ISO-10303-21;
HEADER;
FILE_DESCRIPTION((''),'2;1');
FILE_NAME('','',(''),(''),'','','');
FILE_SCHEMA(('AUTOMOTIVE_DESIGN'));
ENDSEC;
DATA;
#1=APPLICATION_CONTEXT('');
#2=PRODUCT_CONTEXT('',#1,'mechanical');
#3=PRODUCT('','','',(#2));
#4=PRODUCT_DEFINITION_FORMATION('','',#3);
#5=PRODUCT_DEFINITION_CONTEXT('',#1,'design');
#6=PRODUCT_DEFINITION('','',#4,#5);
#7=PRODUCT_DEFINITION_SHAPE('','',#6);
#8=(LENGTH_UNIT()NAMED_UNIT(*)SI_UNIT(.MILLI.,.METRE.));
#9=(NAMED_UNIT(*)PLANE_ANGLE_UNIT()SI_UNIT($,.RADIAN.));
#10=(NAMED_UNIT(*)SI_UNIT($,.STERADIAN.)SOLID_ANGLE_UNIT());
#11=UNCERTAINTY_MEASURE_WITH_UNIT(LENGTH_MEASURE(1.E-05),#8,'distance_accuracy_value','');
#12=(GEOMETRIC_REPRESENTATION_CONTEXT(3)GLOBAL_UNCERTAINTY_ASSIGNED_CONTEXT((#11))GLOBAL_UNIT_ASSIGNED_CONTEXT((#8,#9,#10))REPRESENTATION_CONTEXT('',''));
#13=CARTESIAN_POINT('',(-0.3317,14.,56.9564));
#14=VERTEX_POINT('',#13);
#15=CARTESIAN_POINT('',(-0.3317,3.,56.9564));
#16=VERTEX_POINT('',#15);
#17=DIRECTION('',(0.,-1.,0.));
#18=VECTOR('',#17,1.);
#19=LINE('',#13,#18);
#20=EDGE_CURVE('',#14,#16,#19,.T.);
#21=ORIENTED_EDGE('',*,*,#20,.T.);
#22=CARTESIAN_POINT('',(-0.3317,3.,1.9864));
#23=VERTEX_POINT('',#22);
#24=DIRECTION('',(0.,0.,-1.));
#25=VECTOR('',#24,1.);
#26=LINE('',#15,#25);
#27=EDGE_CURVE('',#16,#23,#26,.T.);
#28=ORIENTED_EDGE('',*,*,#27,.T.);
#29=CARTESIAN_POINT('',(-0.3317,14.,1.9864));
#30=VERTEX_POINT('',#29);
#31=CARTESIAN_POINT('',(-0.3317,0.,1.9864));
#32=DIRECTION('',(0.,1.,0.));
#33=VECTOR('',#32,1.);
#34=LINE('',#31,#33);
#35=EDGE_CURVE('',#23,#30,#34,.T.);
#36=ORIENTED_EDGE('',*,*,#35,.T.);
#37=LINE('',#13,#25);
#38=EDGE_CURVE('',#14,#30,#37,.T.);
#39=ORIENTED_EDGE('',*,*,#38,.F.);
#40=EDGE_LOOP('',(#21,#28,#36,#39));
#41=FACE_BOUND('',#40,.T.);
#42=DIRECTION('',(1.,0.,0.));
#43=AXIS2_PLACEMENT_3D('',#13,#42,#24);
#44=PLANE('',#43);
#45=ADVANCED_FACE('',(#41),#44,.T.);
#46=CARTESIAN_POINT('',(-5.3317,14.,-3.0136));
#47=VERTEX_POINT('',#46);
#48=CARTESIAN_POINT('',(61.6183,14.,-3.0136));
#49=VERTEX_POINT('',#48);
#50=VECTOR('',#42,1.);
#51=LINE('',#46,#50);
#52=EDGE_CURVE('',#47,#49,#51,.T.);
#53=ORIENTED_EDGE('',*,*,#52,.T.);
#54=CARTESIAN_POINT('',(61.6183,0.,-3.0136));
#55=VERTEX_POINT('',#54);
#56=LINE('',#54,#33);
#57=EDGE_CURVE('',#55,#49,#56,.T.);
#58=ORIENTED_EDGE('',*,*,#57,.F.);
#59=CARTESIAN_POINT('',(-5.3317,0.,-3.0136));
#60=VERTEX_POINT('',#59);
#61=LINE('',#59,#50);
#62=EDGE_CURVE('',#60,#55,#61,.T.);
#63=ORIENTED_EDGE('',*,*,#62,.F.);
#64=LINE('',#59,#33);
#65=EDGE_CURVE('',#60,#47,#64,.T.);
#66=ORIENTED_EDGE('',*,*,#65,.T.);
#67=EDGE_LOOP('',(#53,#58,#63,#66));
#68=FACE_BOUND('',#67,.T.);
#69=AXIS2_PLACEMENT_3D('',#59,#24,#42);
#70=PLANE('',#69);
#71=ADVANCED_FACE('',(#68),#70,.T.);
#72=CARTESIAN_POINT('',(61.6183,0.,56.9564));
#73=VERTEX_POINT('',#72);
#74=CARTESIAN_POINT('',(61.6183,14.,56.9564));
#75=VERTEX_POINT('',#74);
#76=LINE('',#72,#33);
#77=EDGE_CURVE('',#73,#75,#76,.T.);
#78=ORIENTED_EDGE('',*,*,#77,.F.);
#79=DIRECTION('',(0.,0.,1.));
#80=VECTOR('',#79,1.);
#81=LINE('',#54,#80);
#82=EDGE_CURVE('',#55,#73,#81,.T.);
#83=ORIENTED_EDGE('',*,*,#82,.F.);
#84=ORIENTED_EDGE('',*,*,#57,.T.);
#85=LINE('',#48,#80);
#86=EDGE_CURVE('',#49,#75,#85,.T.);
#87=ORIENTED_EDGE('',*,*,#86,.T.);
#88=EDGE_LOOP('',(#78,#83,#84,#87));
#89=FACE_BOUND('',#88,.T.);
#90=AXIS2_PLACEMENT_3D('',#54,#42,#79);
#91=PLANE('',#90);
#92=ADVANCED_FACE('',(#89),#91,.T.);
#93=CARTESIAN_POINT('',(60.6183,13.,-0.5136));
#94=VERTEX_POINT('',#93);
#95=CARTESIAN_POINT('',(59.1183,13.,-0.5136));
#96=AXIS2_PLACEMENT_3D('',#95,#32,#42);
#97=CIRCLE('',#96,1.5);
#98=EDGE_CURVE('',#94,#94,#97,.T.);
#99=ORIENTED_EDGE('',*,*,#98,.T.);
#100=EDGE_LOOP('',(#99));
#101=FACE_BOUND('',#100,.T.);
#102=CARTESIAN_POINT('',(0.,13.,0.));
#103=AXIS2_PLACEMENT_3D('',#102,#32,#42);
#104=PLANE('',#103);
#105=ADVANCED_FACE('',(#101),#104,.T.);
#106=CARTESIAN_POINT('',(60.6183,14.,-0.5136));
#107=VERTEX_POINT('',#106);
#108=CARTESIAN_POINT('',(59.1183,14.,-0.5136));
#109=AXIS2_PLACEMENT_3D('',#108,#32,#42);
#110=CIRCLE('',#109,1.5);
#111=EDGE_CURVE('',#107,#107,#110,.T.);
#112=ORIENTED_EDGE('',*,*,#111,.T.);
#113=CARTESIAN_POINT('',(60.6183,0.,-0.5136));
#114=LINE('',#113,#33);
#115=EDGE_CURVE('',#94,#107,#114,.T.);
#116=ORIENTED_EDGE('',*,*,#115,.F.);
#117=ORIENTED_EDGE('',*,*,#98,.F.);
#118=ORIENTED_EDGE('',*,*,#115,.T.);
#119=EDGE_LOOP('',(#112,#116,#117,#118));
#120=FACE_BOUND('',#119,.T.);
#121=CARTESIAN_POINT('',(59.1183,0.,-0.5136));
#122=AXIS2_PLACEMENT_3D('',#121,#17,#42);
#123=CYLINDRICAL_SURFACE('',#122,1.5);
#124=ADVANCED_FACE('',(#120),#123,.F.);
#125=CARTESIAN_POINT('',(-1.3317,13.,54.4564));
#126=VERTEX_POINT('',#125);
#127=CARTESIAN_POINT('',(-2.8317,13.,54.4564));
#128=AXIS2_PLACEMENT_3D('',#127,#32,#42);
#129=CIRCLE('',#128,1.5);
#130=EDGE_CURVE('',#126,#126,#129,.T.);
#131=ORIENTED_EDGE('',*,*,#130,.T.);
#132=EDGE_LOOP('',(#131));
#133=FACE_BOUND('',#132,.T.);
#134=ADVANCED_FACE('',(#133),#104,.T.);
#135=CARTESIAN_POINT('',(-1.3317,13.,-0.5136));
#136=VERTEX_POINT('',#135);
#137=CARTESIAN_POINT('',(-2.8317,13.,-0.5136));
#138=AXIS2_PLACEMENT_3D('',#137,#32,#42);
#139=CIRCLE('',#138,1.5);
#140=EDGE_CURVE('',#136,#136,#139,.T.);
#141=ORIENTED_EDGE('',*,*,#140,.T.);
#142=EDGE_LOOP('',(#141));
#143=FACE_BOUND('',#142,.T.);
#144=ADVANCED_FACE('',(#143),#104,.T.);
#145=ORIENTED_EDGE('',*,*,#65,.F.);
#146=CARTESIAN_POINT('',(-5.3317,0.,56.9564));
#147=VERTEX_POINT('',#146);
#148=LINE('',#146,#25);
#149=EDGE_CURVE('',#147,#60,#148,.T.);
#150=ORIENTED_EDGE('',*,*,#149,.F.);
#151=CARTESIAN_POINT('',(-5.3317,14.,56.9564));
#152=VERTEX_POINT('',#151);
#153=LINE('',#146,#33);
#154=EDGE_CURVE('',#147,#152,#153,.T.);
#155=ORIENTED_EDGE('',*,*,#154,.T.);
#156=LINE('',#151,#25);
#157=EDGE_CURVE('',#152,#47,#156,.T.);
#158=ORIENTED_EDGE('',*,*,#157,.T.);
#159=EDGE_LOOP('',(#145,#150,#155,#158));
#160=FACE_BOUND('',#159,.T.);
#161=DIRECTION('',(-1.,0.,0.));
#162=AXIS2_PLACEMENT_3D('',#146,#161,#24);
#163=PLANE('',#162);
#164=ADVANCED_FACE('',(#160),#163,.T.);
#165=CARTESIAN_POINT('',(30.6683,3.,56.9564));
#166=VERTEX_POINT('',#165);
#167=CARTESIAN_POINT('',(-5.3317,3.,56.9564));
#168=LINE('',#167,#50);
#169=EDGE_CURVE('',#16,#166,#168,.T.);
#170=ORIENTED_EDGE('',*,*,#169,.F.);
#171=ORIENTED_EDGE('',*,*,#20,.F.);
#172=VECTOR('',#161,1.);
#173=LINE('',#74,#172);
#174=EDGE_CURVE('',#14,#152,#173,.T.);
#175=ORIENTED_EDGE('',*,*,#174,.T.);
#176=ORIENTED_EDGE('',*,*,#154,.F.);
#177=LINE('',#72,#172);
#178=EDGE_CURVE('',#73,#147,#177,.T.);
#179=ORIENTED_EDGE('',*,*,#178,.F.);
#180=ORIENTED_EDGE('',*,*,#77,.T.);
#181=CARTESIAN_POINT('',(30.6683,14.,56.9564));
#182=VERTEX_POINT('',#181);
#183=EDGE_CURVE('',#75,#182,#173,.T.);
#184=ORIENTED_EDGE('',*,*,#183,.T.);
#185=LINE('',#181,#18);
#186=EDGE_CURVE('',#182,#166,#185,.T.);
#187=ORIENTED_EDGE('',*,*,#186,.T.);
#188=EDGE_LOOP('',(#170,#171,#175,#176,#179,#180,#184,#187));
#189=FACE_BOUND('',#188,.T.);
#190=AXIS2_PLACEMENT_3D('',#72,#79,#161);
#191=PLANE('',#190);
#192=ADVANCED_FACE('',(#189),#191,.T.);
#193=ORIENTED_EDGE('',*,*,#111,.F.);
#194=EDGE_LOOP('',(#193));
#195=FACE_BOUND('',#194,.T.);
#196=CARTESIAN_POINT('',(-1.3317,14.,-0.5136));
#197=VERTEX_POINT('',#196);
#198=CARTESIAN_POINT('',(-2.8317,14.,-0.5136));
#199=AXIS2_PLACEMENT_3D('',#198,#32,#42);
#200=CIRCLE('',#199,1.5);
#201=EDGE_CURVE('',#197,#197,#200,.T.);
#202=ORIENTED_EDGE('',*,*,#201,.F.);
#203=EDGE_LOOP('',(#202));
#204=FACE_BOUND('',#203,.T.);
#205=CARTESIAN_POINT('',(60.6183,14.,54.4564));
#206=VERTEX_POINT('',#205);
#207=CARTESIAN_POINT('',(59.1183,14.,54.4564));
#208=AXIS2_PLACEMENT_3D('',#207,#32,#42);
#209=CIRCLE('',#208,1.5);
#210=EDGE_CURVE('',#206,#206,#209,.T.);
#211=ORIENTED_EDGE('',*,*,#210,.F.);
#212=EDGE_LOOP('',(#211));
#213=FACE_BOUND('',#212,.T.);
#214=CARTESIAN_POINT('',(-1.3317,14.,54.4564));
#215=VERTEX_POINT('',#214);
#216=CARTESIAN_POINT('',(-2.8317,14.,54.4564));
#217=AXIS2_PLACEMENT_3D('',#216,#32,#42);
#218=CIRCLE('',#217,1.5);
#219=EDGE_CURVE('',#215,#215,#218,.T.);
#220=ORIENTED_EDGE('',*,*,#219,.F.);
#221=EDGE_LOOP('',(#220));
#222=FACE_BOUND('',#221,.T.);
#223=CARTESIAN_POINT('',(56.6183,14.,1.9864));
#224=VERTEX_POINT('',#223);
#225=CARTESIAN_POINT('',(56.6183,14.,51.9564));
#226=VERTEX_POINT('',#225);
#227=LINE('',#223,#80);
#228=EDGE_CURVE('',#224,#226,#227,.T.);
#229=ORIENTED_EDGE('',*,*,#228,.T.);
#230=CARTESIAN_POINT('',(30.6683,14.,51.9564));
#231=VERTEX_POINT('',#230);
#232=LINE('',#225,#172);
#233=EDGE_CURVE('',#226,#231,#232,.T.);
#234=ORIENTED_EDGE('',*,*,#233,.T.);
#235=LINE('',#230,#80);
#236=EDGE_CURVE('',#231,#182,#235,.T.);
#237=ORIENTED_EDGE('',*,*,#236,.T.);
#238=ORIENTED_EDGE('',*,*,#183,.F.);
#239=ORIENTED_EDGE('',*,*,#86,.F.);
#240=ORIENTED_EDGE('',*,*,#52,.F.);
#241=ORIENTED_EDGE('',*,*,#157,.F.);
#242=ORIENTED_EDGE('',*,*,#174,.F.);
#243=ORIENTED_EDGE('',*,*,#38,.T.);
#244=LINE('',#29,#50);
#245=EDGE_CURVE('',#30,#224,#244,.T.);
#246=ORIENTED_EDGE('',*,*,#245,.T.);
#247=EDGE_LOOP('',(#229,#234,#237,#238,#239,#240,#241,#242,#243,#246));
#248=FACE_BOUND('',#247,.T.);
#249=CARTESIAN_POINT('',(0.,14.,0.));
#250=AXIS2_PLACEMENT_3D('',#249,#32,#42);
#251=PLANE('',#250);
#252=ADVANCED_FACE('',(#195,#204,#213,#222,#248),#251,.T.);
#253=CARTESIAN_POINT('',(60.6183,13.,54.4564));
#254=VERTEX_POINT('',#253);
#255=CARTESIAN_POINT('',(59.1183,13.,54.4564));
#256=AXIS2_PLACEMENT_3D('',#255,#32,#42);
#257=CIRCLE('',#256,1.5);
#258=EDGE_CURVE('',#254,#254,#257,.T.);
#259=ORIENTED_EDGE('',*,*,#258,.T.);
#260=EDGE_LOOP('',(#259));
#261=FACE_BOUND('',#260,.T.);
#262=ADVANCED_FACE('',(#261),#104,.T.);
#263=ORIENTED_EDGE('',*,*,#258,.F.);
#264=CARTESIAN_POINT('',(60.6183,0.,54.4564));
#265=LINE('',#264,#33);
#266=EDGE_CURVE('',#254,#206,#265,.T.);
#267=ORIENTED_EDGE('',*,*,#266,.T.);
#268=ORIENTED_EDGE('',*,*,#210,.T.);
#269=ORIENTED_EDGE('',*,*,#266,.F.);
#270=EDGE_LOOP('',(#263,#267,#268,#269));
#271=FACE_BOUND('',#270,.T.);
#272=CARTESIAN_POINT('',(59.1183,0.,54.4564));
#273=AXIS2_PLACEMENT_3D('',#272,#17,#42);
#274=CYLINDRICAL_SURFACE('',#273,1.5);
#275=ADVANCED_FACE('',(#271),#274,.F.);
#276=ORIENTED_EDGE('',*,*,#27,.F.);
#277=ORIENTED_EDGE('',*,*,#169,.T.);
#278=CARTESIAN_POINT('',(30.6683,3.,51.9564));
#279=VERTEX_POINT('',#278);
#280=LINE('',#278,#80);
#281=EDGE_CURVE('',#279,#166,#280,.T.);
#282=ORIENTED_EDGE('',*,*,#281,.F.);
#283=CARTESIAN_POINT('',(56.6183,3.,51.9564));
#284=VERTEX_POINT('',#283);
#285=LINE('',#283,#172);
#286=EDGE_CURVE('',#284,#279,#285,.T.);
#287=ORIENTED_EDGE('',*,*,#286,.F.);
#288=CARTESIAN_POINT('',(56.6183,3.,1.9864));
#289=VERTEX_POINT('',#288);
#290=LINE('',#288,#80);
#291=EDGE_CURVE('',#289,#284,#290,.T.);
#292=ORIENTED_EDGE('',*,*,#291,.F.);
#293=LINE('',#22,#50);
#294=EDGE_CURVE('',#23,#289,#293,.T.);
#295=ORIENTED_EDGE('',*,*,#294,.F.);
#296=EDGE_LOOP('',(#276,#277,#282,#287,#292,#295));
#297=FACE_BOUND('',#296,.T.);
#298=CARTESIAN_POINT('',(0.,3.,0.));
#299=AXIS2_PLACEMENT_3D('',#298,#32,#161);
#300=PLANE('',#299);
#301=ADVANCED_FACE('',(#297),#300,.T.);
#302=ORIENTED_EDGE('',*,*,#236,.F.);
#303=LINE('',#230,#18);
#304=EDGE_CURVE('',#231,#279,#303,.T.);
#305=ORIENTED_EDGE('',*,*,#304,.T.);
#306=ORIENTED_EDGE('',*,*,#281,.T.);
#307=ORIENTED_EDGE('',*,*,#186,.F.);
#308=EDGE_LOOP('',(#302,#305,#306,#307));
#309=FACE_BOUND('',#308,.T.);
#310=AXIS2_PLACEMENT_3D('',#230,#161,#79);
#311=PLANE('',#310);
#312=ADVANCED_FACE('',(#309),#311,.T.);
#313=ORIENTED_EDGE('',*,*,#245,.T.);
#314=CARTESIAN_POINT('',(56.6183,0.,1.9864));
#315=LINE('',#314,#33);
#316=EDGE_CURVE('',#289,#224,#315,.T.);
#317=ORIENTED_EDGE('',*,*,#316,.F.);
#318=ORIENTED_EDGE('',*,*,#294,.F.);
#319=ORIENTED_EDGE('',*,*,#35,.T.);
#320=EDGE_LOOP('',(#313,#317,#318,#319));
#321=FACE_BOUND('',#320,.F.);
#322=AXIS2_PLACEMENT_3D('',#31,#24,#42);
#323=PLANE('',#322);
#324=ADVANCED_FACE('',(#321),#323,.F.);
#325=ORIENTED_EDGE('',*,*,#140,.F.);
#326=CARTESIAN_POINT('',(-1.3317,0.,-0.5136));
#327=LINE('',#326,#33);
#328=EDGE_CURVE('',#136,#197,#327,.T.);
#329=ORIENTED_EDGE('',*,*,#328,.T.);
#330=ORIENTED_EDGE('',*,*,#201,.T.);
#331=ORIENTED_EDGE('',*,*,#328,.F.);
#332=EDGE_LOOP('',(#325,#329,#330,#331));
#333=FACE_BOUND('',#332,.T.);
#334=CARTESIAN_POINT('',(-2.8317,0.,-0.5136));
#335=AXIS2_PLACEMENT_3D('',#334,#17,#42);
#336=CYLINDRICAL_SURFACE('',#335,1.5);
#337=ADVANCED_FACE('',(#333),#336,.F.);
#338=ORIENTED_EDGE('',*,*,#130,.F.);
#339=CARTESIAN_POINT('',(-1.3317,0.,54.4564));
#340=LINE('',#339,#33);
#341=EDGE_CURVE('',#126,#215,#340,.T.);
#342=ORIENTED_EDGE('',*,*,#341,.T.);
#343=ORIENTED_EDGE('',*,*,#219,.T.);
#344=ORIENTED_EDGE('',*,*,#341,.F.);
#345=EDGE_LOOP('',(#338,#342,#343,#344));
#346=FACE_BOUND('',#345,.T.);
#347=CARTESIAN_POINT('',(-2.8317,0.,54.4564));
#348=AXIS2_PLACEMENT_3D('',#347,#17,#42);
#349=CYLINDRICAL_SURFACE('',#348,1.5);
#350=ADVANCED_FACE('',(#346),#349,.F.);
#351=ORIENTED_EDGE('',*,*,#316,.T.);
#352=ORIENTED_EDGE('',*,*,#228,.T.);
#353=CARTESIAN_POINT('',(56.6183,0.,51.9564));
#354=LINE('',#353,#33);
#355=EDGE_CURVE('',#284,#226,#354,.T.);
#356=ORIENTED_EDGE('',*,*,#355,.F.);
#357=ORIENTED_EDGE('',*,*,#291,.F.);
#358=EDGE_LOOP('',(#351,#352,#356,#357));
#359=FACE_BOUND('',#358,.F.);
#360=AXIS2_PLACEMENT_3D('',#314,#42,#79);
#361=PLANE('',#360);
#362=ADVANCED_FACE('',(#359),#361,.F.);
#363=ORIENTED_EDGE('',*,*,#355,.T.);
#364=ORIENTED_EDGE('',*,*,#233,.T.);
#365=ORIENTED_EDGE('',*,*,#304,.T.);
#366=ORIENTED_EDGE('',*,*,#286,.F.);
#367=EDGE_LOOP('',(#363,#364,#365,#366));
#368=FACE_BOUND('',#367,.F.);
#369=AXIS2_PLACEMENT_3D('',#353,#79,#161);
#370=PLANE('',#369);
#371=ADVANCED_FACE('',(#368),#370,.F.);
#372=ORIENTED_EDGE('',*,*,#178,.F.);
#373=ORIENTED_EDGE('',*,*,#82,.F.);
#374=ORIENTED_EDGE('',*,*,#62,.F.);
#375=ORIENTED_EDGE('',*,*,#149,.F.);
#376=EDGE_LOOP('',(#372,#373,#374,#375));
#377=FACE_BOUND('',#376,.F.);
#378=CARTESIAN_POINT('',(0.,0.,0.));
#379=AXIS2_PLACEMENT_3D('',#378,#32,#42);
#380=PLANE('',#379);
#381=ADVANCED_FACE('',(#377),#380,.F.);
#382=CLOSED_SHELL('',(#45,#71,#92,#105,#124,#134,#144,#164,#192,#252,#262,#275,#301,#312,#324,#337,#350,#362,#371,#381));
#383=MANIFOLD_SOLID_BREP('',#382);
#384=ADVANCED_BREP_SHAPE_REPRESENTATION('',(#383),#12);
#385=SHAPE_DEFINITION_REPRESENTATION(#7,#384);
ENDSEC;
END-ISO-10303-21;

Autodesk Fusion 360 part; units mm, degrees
sketch "Sketch1" plane through (0, 0, 0) normal (0, 1, 0) x (1, 0, 0)
  line L0 (-0.3317, -1.9864) -> (56.6183, -1.9864)
  line L1 (56.6183, -1.9864) -> (56.6183, -51.9564)
  line L2 (56.6183, -51.9564) -> (-0.3317, -51.9564)
  line L3 (-0.3317, -51.9564) -> (-0.3317, -1.9864)
  line L4 (-5.3317, 3.0136) -> (61.6183, 3.0136)
  line L5 (61.6183, 3.0136) -> (61.6183, -56.9564)
  line L6 (61.6183, -56.9564) -> (-5.3317, -56.9564)
  line L7 (-5.3317, -56.9564) -> (-5.3317, 3.0136)
  circle A0 centre (59.1183, -54.4564) radius 1.5
  circle A1 centre (-2.8317, -54.4564) radius 1.5
  circle A2 centre (-2.8317, 0.5136) radius 1.5
  circle A3 centre (59.1183, 0.5136) radius 1.5
  circle A4 centre (-2.8317, -54.4564) radius 2
  circle A5 centre (59.1183, -54.4564) radius 2
  circle A6 centre (59.1183, 0.5136) radius 2
  circle A7 centre (-2.8317, 0.5136) radius 2
  dimension "d2" = 49.97
  dimension "d3" = 66.95
  dimension "d4" = 59.97
  dimension "d5" = 5
  dimension "d6" = 5
  dimension "d7" = 3
  dimension "d8" = 3
  dimension "d9" = 3
  dimension "d10" = 3
  dimension "d11" = 2.5
  dimension "d12" = 2.5
  dimension "d13" = 2.5
  dimension "d14" = 2.5
  dimension "d15" = 2.5
  dimension "d16" = 2.5
  dimension "d17" = 2.5
  dimension "d18" = 2.5
  dimension "d19" = 4
  dimension "d20" = 4
  dimension "d21" = 4
  dimension "d22" = 4
extrude "Extrude1" add sketch "Sketch1" along normal blind 3 contours L0 L1 L2 L3
extrude "Extrude2" add sketch "Sketch1" along normal blind 14 contours L4 L5 L6 L7 | A4 | A5 | A6 | A7
extrude "Extrude3" add sketch "Sketch1" along normal blind 13 contours A0 | A1 | A2 | A3
sketch "Sketch2" plane through (0, 14, 0) normal (0, 1, 0) x (-1, 0, 0)
  circle A0 centre (2.8317, 54.4564) radius 1.5
  circle A1 centre (-59.1183, -0.5136) radius 1.5
  circle A2 centre (-59.1183, 54.4564) radius 1.5
  line L0 (-56.6183, 51.9564) -> (0.3317, 51.9564)
  line L1 (0.3317, 51.9564) -> (0.3317, 1.9864)
  line L2 (0.3317, 1.9864) -> (-56.6183, 1.9864)
  line L3 (-56.6183, 1.9864) -> (-56.6183, 51.9564)
  circle A3 centre (2.8317, -0.5136) radius 1.5
  line L4 (5.3317, 56.9564) -> (-61.6183, 56.9564)
  line L5 (-61.6183, 56.9564) -> (-61.6183, -3.0136)
  line L6 (-61.6183, -3.0136) -> (5.3317, -3.0136)
  line L7 (5.3317, -3.0136) -> (5.3317, 56.9564)
  line L8 (0.3317, 1.9864) -> (-30.6683, 1.9864)
  line L9 (-30.6683, 1.9864) -> (-30.6683, -3.0136)
  line L10 (-30.6683, -3.0136) -> (0.3317, -3.0136)
  line L11 (0.3317, -3.0136) -> (0.3317, 1.9864)
  line L12 (0.3317, 51.9564) -> (-30.6683, 51.9564)
  line L13 (-30.6683, 51.9564) -> (-30.6683, 56.9564)
  line L14 (-30.6683, 56.9564) -> (0.3317, 56.9564)
  line L15 (0.3317, 56.9564) -> (0.3317, 51.9564)
  dimension "d29" = 31
  dimension "d30" = 31
extrude "Extrude4" cut sketch "Sketch2" against normal blind 11 contours L0 L4 L12 L13 L14 L15
